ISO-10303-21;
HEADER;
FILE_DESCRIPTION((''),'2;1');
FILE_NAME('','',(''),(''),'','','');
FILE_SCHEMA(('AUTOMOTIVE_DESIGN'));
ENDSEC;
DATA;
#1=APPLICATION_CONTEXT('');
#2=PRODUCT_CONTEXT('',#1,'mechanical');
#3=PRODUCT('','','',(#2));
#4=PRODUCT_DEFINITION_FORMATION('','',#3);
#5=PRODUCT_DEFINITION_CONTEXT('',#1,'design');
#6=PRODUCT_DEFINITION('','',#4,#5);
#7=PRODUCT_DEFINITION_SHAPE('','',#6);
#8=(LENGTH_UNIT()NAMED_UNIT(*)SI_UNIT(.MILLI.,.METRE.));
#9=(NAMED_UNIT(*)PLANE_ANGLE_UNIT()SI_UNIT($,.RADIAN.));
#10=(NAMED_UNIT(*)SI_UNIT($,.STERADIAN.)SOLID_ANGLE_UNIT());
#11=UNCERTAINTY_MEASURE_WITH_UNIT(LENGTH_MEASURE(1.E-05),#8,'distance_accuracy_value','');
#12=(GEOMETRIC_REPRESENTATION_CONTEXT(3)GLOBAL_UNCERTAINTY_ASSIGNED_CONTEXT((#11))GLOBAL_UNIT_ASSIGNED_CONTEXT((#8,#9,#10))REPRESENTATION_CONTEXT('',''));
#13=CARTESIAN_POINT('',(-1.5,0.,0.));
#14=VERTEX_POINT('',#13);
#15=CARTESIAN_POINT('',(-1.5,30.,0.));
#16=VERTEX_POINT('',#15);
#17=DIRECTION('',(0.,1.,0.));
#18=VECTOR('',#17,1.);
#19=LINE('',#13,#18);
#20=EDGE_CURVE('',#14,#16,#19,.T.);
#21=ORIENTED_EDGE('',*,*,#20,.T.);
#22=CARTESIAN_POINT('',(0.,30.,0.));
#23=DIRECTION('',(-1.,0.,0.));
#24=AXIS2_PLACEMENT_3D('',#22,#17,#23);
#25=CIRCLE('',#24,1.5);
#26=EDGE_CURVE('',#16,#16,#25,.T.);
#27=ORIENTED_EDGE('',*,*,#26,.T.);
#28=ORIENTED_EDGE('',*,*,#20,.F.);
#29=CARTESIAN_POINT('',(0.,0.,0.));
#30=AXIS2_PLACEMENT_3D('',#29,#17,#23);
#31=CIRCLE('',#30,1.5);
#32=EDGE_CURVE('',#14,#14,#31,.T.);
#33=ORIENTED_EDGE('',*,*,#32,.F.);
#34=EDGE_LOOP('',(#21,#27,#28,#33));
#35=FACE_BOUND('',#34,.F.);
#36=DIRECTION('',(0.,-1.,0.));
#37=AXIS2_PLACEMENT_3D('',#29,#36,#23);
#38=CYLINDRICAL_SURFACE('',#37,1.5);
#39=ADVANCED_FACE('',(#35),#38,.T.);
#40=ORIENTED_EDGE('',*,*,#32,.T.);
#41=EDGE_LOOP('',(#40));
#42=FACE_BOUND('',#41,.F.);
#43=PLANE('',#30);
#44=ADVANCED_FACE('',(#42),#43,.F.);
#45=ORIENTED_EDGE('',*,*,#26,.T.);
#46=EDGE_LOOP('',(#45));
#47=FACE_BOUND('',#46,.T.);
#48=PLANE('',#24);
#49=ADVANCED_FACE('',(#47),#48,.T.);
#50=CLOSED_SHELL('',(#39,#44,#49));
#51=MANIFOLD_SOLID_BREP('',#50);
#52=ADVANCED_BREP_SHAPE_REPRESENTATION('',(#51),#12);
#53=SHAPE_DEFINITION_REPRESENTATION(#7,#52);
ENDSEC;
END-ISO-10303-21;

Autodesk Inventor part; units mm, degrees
ref_plane "YZ Plane" through (0, 0, 0) normal (1, 0, 0) x (0, 1, 0)
ref_plane "XZ Plane" through (0, 0, 0) normal (0, 1, 0) x (-1, 0, 0)
ref_plane "XY Plane" through (0, 0, 0) normal (0, 0, 1) x (1, 0, 0)
sketch "Sketch1" plane through (0, 0, 0) normal (0, 1, 0) x (-1, 0, 0)
  circle A0 centre (0, 0) radius 1.5
  dimension "d0" = 3
extrude "Extrusion1" add sketch "Sketch1" along normal blind 30
properties part number "Standoff 30mm"
